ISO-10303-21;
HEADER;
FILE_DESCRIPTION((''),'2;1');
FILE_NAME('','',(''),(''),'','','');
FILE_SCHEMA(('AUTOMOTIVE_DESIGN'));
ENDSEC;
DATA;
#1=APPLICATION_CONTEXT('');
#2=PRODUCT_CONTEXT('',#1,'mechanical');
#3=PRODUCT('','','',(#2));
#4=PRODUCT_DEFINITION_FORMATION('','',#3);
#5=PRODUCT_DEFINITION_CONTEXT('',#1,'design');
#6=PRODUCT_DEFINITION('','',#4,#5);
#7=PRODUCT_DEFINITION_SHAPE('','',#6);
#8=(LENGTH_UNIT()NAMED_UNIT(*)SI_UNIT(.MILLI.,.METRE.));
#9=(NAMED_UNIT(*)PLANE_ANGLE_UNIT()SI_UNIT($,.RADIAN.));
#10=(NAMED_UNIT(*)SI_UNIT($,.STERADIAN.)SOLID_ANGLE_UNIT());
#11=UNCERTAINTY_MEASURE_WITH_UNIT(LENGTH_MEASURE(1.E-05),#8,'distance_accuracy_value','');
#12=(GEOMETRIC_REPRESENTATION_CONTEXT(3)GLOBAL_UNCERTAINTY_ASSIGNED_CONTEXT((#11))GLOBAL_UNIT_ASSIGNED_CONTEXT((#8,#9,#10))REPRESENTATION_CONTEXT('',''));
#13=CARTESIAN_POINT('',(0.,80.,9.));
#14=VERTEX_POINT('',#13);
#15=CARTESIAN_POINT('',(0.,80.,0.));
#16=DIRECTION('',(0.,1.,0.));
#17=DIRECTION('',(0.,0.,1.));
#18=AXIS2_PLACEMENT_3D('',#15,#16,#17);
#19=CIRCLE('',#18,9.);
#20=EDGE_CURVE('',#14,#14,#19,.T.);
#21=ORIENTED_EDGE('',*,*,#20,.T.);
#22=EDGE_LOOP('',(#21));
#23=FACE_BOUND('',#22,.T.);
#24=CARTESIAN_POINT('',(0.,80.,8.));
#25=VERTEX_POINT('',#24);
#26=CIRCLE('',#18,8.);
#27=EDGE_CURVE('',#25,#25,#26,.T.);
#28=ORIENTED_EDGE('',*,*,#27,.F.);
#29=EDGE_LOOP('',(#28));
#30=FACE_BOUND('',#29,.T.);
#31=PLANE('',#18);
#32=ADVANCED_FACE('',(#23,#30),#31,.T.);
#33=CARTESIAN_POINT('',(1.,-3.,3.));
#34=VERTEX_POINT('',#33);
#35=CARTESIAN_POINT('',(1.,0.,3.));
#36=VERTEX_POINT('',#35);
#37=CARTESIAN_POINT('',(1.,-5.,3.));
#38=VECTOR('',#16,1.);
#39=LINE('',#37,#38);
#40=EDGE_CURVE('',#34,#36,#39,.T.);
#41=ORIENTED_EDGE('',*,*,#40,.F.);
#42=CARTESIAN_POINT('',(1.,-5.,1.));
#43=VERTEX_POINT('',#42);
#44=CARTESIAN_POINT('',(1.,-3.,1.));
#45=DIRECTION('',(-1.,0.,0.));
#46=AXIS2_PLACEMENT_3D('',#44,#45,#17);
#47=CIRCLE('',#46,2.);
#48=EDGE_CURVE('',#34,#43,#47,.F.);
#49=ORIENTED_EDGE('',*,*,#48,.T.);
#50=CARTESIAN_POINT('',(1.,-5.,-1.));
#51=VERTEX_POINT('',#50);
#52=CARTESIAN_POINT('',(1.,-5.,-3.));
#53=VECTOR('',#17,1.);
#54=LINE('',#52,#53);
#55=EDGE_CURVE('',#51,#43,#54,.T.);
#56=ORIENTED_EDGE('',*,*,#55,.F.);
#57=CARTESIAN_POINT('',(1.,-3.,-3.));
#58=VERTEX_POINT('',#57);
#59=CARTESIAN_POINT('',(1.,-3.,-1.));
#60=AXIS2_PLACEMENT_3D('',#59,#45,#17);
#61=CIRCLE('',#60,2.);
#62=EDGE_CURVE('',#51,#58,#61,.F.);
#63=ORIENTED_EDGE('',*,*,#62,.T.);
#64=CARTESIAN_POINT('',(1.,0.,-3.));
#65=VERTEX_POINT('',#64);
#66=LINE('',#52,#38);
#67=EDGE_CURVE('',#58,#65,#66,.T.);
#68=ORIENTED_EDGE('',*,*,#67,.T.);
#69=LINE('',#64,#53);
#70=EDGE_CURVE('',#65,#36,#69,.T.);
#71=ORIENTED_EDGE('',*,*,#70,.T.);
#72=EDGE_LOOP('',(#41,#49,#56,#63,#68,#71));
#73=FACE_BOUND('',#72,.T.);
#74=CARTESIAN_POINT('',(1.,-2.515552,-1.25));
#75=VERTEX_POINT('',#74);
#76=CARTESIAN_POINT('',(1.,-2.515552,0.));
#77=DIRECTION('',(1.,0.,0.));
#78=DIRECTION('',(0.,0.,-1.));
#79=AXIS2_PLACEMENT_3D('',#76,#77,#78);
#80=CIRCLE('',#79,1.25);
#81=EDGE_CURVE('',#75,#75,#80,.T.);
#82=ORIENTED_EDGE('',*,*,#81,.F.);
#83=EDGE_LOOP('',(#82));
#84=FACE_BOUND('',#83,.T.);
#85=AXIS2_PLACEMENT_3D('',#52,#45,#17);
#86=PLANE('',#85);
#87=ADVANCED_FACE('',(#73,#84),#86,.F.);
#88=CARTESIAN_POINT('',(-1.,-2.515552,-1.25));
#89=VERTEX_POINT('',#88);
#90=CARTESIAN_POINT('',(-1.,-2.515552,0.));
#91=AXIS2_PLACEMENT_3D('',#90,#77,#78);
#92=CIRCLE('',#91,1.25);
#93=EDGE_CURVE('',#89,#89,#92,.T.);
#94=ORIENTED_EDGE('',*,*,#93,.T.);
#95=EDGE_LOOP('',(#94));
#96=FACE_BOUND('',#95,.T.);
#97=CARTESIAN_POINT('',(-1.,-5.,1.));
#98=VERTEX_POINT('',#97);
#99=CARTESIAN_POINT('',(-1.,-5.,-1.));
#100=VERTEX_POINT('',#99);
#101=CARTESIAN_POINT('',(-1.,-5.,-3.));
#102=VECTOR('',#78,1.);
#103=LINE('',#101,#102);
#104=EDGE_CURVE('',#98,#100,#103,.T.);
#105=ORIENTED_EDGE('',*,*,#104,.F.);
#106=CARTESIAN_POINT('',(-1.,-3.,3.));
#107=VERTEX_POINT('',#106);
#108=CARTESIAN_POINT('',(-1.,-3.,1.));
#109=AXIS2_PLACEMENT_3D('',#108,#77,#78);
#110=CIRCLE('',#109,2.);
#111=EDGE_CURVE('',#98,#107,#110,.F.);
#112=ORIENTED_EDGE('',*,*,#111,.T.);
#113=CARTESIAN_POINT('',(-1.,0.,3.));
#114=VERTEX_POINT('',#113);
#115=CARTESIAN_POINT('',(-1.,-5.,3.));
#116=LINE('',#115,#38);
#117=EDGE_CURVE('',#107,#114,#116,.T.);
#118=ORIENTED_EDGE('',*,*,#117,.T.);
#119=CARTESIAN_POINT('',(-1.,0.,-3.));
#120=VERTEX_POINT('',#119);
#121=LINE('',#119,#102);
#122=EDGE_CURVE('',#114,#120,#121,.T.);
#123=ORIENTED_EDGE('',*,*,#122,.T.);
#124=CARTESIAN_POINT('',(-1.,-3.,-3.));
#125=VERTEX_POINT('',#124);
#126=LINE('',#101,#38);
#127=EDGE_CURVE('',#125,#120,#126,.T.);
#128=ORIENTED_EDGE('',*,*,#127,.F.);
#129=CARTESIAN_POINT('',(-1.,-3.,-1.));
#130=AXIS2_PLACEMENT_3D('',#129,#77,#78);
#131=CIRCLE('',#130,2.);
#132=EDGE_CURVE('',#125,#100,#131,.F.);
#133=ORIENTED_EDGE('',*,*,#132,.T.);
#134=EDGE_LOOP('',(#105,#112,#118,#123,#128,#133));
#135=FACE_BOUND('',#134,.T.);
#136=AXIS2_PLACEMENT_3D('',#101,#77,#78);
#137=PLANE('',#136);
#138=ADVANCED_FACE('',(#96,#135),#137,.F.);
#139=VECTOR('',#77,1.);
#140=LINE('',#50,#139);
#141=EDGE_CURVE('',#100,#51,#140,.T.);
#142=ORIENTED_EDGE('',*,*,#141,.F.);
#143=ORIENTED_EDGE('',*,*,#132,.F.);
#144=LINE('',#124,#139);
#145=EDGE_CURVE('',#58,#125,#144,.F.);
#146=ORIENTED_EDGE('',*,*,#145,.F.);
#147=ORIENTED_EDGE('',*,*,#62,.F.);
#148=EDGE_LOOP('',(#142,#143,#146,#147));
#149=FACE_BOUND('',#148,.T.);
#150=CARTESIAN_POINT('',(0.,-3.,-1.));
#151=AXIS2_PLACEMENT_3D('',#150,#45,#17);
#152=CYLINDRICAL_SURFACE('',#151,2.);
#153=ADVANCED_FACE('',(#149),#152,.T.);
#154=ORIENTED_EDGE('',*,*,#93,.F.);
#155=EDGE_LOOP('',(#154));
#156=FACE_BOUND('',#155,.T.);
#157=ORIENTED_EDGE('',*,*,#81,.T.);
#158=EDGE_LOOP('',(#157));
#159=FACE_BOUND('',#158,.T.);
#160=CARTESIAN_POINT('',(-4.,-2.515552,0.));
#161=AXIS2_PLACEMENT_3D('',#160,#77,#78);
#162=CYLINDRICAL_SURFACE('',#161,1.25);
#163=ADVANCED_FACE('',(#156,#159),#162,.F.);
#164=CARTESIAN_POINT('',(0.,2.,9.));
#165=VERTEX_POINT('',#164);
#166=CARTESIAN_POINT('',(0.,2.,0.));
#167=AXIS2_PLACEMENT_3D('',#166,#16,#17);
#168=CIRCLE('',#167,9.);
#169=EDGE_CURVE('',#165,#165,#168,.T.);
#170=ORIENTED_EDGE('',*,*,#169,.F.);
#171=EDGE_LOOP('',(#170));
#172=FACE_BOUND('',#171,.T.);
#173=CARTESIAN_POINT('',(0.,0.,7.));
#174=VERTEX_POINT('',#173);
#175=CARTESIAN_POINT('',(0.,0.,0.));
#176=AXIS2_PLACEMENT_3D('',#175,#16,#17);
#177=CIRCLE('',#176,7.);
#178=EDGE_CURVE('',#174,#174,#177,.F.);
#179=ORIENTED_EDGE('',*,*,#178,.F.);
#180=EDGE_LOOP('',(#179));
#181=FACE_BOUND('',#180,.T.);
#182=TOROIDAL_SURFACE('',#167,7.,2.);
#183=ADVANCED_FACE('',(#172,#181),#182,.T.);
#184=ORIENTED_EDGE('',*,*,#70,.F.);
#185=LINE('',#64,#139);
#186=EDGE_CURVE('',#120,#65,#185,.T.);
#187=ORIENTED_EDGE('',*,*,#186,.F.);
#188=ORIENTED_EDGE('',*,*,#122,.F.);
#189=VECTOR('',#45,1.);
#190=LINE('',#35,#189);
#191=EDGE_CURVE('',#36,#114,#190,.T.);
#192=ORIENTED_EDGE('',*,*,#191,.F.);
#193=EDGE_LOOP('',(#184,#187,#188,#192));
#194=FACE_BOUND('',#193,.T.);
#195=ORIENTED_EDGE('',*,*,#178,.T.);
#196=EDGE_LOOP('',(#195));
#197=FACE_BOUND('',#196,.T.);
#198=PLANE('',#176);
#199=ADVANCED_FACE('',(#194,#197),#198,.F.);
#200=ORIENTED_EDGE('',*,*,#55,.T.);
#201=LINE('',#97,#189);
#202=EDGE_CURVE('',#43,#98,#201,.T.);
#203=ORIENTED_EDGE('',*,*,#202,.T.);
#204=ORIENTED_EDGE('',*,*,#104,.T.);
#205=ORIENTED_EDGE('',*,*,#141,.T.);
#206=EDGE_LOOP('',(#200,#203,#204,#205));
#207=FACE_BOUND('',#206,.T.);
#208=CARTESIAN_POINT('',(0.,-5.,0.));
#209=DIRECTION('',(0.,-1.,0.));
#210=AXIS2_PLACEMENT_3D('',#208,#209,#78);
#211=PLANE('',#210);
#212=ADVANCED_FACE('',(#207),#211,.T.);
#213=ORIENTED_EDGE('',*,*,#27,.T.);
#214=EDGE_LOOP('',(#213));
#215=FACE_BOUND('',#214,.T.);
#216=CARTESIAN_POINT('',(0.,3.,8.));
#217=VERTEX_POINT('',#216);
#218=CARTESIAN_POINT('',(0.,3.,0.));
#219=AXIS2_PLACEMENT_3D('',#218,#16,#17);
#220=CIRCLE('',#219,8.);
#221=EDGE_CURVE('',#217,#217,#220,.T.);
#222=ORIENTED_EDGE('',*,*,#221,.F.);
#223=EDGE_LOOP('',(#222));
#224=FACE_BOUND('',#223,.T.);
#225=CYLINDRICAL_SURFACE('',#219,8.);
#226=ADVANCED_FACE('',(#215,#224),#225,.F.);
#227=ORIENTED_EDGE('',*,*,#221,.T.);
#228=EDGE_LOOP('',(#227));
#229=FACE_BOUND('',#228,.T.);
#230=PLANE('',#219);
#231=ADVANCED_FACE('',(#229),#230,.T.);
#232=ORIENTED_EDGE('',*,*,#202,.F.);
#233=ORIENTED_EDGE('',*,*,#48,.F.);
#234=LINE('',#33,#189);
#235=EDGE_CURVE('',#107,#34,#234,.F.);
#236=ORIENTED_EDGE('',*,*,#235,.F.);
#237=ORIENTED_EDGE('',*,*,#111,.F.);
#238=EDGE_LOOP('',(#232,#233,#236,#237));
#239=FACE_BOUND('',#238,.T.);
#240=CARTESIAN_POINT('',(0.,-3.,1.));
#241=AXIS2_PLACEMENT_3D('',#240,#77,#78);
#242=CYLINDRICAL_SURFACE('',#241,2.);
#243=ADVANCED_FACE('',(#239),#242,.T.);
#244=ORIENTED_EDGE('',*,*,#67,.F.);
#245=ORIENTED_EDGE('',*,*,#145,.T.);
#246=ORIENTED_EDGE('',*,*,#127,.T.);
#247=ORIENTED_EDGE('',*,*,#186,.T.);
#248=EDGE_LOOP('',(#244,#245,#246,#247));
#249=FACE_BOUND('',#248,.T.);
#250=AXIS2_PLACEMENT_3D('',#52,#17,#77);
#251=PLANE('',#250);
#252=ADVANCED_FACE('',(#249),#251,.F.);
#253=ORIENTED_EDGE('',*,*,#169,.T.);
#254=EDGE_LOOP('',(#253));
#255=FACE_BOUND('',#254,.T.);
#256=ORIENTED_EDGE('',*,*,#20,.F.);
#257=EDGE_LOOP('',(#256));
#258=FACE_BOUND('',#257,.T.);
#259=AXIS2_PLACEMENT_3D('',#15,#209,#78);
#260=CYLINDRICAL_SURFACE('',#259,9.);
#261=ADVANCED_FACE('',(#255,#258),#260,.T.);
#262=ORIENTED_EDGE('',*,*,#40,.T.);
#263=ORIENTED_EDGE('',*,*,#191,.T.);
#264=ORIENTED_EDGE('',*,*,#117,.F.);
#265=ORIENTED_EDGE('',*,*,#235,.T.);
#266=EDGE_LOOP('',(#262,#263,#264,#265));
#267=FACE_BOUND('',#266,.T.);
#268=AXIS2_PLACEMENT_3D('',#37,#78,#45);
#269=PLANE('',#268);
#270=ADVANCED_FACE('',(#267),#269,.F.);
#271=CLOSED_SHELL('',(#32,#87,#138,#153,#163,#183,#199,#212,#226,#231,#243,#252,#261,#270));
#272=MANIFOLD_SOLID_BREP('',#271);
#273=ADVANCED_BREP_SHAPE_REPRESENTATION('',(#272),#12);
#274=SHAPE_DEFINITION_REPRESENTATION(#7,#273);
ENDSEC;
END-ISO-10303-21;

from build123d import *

# Parameters (mm, degrees)
SKETCH_1_R          = 9
EXTRUDE_1_DEPTH     = 80
SKETCH_2_R          = 8
CUT_EXTRUDE_1_DEPTH = 77
SKETCH_3_W          = 2
SKETCH_3_H          = 6
EXTRUDE_2_DEPTH     = 5
SKETCH_4_R          = 1.25
CUT_EXTRUDE_2_DEPTH = 5
FILLET_1_R          = 2
FILLET_2_R          = 2
FILLET_3_R          = 2


with BuildPart() as part:
    # 草图1 → 凸台-拉伸1 (new body)
    with BuildSketch(Plane(origin=(0, 0, 0), x_dir=(1, 0, 0), z_dir=(0, 1, 0))):
        with Locations(Location((0, 0, 0), (0, 0, 270))):
            Circle(SKETCH_1_R)
    extrude(amount=EXTRUDE_1_DEPTH)

    # 草图2 → 切除-拉伸1 (cut)
    with BuildSketch(Plane(origin=(0, 80, 0), x_dir=(1, 0, 0), z_dir=(0, 1, 0))):
        with Locations(Location((0, 0, 0), (0, 0, 270))):
            Circle(SKETCH_2_R)
    extrude(amount=-CUT_EXTRUDE_1_DEPTH, mode=Mode.SUBTRACT)

    # 草图3 → 凸台-拉伸2 (add)
    with BuildSketch(Plane(origin=(0, 0, 0), x_dir=(-1, 0, 0), z_dir=(0, -1, 0))):
        Rectangle(SKETCH_3_W, SKETCH_3_H)
    extrude(amount=EXTRUDE_2_DEPTH)

    # 草图4 → 切除-拉伸2 (cut)
    with BuildSketch(Plane(origin=(1, 0, 0), x_dir=(0, 0, -1), z_dir=(1, 0, 0))):
        with Locations((0, -2.515551663)):
            Circle(SKETCH_4_R)
    extrude(amount=-CUT_EXTRUDE_2_DEPTH, mode=Mode.SUBTRACT)

    # 圆角1
    fillet_1_edges = [part.edges().sort_by_distance(p)[0] for p in [
        (0, -5, -3),
    ]]
    fillet(fillet_1_edges, radius=FILLET_1_R)

    # 圆角2
    fillet_2_edges = [part.edges().sort_by_distance(p)[0] for p in [
        (0, -5, 3),
    ]]
    fillet(fillet_2_edges, radius=FILLET_2_R)

    # 圆角3
    fillet_3_edges = [part.edges().sort_by_distance(p)[0] for p in [
        (0, 0, -9),
    ]]
    fillet(fillet_3_edges, radius=FILLET_3_R)


solid = part.part
